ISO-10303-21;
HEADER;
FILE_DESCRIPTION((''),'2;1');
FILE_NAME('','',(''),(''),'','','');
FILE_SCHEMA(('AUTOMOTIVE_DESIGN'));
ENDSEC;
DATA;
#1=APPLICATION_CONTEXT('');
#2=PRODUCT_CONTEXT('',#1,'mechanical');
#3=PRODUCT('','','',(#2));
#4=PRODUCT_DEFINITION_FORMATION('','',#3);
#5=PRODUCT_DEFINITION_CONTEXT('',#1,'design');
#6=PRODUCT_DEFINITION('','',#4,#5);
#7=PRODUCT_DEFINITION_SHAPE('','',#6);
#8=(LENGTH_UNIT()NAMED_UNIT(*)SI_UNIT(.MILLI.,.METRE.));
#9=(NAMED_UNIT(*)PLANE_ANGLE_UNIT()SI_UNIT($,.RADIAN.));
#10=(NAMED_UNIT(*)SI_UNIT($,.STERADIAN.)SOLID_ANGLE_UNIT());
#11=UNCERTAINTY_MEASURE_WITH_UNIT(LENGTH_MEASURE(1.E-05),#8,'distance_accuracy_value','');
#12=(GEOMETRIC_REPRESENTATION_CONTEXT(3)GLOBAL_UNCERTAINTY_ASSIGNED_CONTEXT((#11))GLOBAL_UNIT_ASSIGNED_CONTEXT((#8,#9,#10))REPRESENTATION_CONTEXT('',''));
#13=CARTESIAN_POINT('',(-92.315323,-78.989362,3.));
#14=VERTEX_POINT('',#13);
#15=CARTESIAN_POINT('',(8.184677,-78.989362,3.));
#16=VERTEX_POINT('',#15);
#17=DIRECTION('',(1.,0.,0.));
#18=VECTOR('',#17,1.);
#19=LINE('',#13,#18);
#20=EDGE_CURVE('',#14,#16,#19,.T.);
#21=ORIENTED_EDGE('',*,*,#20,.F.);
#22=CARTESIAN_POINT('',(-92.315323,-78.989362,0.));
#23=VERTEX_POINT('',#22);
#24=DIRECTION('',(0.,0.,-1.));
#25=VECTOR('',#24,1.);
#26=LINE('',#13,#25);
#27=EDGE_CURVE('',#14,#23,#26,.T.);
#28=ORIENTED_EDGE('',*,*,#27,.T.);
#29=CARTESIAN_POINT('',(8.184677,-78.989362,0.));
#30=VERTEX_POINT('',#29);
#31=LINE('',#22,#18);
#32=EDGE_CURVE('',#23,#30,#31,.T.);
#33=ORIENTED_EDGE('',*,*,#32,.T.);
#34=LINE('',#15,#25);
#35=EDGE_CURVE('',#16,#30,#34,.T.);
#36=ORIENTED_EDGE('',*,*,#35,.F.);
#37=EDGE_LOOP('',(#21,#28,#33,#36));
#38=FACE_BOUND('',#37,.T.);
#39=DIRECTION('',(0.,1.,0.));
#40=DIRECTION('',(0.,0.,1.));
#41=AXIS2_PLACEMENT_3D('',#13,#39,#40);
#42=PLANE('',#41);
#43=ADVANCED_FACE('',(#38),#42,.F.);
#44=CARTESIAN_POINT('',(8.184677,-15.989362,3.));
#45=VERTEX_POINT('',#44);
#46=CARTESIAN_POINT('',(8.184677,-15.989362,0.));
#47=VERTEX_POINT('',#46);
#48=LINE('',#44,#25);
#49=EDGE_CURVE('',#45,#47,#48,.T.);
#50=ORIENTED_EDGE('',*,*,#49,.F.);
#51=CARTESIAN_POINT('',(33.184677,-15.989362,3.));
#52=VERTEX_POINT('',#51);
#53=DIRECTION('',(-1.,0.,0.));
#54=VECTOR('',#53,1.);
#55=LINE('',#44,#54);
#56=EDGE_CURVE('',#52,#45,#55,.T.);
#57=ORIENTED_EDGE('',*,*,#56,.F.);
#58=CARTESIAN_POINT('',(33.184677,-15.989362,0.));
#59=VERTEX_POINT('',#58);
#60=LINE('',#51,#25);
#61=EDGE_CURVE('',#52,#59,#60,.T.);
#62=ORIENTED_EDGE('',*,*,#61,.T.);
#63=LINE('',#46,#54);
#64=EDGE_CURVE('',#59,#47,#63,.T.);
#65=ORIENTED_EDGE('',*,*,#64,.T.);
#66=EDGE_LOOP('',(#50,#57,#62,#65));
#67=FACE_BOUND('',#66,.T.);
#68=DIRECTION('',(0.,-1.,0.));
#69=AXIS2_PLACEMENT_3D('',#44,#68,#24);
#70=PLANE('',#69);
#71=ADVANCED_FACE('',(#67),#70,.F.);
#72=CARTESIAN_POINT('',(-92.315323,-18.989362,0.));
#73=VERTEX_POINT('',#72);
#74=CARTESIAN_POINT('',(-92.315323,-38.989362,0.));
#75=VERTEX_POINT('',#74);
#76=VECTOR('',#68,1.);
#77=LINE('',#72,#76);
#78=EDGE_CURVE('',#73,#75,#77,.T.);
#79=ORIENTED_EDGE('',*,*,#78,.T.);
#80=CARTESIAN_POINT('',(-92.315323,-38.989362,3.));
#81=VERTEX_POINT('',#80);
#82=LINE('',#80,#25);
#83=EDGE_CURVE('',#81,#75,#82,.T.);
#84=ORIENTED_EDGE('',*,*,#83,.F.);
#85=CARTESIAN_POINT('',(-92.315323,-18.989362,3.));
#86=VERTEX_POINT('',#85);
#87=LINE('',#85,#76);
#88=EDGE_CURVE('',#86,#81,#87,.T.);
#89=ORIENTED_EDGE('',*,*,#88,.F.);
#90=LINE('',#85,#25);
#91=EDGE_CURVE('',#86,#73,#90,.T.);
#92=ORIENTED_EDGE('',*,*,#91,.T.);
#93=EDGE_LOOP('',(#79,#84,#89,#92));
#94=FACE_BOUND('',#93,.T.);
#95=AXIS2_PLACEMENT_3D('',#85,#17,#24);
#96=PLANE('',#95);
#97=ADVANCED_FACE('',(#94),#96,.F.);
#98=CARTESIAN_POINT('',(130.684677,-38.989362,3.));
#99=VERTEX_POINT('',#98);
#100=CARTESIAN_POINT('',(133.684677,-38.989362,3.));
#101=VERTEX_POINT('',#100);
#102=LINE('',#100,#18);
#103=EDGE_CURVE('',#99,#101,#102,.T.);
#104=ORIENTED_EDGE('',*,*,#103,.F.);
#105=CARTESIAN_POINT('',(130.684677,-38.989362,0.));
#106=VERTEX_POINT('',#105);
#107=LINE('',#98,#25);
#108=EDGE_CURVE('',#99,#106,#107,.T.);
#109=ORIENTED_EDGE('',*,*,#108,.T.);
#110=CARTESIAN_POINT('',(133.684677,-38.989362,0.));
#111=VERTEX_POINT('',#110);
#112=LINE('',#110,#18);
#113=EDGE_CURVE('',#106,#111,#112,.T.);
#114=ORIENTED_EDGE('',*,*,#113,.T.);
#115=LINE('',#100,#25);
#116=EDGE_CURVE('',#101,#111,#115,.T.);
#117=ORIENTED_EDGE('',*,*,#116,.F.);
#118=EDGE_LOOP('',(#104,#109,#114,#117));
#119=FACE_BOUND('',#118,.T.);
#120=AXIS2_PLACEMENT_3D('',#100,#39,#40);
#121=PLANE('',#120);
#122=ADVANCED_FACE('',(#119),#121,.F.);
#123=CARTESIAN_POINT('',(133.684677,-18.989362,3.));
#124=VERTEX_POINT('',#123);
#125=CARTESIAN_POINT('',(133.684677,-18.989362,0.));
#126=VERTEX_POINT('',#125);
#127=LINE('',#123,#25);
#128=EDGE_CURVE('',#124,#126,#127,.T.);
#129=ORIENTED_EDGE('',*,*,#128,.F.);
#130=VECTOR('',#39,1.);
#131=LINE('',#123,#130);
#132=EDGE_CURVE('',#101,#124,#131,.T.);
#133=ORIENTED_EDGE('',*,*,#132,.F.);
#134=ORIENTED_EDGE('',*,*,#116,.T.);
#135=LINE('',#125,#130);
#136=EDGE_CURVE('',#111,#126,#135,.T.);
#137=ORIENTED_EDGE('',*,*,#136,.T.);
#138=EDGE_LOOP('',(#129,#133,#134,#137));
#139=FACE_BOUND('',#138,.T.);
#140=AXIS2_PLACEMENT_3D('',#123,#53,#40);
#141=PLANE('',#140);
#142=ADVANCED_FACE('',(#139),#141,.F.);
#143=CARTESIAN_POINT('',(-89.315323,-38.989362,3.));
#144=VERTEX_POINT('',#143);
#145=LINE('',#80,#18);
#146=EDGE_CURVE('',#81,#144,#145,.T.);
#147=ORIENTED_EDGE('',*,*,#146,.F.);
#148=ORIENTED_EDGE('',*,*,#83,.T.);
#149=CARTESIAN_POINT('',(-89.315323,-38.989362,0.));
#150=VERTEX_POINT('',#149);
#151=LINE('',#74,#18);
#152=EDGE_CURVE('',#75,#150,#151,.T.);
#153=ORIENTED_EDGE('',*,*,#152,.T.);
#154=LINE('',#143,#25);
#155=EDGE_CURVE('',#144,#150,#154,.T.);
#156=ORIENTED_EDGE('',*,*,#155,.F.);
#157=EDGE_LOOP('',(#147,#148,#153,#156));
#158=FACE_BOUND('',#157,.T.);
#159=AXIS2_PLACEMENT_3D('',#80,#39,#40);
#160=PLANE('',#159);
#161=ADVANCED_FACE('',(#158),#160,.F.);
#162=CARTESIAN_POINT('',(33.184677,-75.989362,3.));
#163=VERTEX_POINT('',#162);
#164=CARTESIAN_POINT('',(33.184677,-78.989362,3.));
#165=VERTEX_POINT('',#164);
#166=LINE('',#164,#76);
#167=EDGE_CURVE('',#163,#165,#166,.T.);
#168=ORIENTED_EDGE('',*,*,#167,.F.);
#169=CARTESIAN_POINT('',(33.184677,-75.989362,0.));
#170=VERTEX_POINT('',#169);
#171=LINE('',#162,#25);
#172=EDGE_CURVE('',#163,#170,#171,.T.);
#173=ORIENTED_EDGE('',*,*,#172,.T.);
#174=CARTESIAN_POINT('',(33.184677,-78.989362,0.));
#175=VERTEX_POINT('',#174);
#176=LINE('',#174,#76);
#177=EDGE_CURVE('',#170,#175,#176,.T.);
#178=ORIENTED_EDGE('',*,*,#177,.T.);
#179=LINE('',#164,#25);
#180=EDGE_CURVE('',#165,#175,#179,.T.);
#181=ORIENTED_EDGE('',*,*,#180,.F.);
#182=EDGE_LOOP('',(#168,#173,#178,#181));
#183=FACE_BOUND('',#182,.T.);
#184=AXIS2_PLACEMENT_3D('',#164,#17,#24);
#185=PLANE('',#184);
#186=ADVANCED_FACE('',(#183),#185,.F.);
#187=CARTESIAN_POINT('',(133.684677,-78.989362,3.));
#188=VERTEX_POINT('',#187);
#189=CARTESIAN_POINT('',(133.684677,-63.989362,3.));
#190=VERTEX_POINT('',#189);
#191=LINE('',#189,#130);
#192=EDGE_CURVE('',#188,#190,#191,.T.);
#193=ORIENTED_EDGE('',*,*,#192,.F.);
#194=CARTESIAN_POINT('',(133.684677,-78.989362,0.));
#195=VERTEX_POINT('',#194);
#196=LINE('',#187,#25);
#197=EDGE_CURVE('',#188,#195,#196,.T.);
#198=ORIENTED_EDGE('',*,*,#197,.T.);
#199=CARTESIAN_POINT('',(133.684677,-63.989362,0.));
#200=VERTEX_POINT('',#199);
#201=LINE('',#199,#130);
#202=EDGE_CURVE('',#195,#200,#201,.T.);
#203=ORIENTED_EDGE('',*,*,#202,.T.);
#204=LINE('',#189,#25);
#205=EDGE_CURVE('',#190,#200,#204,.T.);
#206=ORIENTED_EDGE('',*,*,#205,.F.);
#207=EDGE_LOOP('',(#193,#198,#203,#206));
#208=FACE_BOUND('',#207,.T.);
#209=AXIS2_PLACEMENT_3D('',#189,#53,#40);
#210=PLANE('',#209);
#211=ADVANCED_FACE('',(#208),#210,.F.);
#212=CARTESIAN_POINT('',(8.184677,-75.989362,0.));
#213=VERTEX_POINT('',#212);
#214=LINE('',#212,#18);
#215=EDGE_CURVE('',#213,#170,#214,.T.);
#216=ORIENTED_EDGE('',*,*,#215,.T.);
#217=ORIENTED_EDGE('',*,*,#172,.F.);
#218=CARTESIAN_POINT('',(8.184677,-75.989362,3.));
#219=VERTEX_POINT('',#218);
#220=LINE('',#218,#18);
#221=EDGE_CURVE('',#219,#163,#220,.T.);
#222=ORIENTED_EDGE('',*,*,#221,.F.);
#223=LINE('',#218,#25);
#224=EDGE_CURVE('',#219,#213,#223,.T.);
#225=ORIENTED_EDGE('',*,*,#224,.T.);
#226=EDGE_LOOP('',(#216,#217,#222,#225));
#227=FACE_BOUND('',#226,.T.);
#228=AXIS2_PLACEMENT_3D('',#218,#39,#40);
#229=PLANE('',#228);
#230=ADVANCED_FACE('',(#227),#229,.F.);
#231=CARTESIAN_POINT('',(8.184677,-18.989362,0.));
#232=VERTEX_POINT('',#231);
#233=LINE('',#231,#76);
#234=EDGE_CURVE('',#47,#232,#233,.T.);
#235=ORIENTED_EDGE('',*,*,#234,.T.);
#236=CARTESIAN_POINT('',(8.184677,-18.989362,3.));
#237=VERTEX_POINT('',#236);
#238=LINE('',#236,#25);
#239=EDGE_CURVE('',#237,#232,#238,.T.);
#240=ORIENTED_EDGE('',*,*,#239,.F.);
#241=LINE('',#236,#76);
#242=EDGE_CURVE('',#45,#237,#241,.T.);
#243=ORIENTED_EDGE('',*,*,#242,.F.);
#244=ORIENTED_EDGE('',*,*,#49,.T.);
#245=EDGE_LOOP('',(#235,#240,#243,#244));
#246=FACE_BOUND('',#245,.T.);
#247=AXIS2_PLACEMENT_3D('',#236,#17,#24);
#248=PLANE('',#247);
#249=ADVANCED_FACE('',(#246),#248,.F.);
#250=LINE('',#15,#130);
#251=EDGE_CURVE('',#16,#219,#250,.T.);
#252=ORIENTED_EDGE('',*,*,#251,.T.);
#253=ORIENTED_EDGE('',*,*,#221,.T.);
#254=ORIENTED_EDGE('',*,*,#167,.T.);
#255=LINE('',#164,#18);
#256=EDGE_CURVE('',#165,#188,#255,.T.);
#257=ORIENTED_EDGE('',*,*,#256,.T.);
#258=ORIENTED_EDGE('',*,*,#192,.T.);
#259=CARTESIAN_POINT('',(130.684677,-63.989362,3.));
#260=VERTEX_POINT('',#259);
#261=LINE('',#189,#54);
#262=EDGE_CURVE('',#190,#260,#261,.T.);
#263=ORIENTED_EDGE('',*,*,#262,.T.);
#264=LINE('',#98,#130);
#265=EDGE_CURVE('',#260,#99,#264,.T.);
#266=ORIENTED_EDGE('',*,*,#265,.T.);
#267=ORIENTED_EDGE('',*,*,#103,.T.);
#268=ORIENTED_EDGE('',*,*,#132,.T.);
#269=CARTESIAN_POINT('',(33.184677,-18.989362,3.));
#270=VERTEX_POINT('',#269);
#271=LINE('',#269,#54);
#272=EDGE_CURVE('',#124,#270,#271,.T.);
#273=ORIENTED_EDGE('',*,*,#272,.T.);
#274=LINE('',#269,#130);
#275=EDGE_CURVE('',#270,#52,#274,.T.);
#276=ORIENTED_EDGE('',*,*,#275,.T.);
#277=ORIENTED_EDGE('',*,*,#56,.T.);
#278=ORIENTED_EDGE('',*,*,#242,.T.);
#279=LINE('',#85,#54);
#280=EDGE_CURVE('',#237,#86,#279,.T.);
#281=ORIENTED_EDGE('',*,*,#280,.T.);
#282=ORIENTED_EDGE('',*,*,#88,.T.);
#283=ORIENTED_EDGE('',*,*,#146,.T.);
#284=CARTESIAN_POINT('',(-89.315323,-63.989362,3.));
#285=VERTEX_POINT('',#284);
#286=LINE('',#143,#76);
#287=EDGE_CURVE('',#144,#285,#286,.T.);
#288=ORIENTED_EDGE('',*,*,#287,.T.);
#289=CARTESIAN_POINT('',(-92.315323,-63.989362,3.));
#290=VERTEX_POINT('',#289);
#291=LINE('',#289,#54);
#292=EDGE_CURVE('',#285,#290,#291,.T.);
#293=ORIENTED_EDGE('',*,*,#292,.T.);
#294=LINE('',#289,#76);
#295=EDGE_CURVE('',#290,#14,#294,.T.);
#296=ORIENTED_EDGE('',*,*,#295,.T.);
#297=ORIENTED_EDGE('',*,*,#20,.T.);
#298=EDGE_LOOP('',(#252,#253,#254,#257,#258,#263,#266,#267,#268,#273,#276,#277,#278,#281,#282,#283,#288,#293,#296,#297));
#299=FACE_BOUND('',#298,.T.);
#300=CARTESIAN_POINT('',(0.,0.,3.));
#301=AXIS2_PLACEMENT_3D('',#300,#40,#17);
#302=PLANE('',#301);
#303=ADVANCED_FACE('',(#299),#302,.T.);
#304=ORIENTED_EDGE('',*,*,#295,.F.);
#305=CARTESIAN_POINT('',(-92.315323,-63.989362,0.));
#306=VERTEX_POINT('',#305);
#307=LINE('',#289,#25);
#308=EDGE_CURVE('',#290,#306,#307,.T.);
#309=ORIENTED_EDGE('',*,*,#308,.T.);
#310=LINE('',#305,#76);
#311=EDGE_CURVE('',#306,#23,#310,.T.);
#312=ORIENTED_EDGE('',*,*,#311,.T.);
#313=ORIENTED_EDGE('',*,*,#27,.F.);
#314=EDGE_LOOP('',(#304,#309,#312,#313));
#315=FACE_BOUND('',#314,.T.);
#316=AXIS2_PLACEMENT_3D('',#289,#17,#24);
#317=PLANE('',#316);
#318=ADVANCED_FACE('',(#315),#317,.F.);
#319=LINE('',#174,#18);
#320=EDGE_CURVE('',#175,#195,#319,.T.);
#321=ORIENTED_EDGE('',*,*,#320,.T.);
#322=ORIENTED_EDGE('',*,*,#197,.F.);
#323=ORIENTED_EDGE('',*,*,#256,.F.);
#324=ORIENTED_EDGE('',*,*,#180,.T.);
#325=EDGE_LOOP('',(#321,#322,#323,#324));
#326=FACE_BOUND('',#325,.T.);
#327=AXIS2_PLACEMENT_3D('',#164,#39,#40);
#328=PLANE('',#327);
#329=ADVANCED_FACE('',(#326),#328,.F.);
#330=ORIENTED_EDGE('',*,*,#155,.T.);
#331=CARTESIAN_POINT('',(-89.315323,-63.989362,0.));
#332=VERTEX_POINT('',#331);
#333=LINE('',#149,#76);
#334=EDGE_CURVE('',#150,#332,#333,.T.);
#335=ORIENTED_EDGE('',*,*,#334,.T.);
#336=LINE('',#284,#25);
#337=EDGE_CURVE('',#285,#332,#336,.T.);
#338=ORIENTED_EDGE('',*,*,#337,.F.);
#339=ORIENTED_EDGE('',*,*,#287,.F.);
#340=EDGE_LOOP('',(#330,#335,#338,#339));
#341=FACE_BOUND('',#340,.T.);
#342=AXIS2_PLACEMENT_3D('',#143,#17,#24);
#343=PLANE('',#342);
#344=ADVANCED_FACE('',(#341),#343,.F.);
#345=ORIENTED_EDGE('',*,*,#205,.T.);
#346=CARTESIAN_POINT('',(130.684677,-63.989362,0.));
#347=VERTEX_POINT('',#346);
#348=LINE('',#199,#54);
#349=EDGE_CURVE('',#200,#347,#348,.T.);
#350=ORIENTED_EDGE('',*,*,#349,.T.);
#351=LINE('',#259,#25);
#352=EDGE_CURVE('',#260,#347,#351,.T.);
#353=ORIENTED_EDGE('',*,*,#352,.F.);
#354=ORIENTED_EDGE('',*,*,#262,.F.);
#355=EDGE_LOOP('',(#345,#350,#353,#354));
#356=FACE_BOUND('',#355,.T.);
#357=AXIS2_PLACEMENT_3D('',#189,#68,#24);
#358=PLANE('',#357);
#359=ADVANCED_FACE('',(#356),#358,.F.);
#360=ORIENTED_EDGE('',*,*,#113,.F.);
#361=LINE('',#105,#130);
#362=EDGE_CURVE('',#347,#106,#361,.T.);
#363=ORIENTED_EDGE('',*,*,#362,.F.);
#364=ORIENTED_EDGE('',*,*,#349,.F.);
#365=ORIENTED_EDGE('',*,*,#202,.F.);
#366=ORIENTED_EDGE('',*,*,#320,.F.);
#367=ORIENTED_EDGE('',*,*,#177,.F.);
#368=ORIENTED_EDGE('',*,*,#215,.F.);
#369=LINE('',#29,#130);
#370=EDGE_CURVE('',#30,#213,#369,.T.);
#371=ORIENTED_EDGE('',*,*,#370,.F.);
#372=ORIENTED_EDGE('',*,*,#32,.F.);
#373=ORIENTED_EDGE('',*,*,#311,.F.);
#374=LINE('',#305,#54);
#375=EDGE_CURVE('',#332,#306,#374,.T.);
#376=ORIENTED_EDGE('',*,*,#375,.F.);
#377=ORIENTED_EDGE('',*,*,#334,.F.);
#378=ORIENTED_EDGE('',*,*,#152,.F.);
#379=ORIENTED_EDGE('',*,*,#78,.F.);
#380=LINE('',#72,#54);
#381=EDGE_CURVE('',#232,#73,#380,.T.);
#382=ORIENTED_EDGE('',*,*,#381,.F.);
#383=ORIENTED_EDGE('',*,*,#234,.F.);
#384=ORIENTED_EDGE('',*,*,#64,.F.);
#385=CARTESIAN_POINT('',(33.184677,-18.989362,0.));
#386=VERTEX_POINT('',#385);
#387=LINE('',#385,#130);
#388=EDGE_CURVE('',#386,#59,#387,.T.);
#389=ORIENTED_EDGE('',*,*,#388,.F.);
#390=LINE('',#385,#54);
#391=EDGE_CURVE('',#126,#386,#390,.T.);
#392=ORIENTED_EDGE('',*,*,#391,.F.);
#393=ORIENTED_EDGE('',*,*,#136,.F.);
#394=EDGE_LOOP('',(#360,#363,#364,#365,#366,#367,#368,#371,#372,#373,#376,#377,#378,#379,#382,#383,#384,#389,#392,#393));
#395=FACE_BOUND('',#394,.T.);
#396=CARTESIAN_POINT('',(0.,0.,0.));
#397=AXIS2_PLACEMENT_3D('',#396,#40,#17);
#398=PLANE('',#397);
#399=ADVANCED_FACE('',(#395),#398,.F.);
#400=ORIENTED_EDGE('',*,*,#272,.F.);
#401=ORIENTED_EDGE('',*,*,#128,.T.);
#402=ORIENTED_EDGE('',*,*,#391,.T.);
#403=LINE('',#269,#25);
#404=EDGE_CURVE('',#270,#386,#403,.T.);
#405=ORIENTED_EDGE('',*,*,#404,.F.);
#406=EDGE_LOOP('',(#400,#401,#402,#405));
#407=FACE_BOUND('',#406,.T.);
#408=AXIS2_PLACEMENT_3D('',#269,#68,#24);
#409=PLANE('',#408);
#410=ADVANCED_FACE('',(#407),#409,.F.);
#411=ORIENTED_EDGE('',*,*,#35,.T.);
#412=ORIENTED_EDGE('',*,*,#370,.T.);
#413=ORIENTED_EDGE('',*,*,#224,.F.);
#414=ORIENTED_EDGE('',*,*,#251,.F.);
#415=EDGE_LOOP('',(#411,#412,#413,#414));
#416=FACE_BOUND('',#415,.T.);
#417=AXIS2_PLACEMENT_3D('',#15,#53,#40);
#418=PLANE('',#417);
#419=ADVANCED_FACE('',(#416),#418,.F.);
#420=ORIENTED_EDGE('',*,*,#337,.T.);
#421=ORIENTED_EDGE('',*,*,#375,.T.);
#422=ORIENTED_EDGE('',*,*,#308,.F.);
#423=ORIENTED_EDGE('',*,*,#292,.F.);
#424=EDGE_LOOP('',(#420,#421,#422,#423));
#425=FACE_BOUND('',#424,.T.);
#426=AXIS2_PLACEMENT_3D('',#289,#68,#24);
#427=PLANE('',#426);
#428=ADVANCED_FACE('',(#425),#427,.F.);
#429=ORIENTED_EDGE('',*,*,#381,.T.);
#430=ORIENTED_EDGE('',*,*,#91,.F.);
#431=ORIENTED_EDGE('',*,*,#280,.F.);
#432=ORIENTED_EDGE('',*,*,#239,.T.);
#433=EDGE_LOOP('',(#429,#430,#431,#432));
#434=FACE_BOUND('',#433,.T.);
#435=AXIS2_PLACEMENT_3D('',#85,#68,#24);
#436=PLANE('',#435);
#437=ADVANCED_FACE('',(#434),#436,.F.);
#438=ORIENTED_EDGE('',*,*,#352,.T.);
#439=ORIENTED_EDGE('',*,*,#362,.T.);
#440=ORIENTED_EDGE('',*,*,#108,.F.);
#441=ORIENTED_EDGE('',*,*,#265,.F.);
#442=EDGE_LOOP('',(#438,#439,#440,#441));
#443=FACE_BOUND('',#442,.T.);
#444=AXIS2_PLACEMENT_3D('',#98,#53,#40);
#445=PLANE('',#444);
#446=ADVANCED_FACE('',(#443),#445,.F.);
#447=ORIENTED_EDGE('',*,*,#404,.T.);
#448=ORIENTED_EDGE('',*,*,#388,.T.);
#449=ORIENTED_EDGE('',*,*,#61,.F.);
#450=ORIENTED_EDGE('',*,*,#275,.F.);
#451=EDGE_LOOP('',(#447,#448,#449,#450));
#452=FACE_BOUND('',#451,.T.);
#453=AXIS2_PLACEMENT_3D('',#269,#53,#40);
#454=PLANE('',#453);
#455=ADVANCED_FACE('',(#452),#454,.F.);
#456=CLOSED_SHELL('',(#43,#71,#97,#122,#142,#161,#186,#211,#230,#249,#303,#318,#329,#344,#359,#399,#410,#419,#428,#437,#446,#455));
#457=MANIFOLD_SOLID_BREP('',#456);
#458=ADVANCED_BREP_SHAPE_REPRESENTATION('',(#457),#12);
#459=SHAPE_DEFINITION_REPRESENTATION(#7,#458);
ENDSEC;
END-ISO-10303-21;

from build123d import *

# Parameters (mm, degrees)
EXTRUDE_1_DEPTH = 3


with BuildPart() as part:
    # Эскиз1 → Бобышка-Вытянуть1 (new body)
    with BuildSketch(Plane.XY):
        Polygon((-92.315323093, -63.989361702), (-92.315323093, -78.989361702), (8.184676907, -78.989361702), (8.184676907, -75.989361702), (33.184676907, -75.989361702), (33.184676907, -78.989361702), (133.684676907, -78.989361702), (133.684676907, -63.989361702), (130.684676907, -63.989361702), (130.684676907, -38.989361702), (133.684676907, -38.989361702), (133.684676907, -18.989361702), (33.184676907, -18.989361702), (33.184676907, -15.989361702), (8.184676907, -15.989361702), (8.184676907, -18.989361702), (-92.315323093, -18.989361702), (-92.315323093, -38.989361702), (-89.315323093, -38.989361702), (-89.315323093, -63.989361702), align=None)
    extrude(amount=EXTRUDE_1_DEPTH)


solid = part.part
